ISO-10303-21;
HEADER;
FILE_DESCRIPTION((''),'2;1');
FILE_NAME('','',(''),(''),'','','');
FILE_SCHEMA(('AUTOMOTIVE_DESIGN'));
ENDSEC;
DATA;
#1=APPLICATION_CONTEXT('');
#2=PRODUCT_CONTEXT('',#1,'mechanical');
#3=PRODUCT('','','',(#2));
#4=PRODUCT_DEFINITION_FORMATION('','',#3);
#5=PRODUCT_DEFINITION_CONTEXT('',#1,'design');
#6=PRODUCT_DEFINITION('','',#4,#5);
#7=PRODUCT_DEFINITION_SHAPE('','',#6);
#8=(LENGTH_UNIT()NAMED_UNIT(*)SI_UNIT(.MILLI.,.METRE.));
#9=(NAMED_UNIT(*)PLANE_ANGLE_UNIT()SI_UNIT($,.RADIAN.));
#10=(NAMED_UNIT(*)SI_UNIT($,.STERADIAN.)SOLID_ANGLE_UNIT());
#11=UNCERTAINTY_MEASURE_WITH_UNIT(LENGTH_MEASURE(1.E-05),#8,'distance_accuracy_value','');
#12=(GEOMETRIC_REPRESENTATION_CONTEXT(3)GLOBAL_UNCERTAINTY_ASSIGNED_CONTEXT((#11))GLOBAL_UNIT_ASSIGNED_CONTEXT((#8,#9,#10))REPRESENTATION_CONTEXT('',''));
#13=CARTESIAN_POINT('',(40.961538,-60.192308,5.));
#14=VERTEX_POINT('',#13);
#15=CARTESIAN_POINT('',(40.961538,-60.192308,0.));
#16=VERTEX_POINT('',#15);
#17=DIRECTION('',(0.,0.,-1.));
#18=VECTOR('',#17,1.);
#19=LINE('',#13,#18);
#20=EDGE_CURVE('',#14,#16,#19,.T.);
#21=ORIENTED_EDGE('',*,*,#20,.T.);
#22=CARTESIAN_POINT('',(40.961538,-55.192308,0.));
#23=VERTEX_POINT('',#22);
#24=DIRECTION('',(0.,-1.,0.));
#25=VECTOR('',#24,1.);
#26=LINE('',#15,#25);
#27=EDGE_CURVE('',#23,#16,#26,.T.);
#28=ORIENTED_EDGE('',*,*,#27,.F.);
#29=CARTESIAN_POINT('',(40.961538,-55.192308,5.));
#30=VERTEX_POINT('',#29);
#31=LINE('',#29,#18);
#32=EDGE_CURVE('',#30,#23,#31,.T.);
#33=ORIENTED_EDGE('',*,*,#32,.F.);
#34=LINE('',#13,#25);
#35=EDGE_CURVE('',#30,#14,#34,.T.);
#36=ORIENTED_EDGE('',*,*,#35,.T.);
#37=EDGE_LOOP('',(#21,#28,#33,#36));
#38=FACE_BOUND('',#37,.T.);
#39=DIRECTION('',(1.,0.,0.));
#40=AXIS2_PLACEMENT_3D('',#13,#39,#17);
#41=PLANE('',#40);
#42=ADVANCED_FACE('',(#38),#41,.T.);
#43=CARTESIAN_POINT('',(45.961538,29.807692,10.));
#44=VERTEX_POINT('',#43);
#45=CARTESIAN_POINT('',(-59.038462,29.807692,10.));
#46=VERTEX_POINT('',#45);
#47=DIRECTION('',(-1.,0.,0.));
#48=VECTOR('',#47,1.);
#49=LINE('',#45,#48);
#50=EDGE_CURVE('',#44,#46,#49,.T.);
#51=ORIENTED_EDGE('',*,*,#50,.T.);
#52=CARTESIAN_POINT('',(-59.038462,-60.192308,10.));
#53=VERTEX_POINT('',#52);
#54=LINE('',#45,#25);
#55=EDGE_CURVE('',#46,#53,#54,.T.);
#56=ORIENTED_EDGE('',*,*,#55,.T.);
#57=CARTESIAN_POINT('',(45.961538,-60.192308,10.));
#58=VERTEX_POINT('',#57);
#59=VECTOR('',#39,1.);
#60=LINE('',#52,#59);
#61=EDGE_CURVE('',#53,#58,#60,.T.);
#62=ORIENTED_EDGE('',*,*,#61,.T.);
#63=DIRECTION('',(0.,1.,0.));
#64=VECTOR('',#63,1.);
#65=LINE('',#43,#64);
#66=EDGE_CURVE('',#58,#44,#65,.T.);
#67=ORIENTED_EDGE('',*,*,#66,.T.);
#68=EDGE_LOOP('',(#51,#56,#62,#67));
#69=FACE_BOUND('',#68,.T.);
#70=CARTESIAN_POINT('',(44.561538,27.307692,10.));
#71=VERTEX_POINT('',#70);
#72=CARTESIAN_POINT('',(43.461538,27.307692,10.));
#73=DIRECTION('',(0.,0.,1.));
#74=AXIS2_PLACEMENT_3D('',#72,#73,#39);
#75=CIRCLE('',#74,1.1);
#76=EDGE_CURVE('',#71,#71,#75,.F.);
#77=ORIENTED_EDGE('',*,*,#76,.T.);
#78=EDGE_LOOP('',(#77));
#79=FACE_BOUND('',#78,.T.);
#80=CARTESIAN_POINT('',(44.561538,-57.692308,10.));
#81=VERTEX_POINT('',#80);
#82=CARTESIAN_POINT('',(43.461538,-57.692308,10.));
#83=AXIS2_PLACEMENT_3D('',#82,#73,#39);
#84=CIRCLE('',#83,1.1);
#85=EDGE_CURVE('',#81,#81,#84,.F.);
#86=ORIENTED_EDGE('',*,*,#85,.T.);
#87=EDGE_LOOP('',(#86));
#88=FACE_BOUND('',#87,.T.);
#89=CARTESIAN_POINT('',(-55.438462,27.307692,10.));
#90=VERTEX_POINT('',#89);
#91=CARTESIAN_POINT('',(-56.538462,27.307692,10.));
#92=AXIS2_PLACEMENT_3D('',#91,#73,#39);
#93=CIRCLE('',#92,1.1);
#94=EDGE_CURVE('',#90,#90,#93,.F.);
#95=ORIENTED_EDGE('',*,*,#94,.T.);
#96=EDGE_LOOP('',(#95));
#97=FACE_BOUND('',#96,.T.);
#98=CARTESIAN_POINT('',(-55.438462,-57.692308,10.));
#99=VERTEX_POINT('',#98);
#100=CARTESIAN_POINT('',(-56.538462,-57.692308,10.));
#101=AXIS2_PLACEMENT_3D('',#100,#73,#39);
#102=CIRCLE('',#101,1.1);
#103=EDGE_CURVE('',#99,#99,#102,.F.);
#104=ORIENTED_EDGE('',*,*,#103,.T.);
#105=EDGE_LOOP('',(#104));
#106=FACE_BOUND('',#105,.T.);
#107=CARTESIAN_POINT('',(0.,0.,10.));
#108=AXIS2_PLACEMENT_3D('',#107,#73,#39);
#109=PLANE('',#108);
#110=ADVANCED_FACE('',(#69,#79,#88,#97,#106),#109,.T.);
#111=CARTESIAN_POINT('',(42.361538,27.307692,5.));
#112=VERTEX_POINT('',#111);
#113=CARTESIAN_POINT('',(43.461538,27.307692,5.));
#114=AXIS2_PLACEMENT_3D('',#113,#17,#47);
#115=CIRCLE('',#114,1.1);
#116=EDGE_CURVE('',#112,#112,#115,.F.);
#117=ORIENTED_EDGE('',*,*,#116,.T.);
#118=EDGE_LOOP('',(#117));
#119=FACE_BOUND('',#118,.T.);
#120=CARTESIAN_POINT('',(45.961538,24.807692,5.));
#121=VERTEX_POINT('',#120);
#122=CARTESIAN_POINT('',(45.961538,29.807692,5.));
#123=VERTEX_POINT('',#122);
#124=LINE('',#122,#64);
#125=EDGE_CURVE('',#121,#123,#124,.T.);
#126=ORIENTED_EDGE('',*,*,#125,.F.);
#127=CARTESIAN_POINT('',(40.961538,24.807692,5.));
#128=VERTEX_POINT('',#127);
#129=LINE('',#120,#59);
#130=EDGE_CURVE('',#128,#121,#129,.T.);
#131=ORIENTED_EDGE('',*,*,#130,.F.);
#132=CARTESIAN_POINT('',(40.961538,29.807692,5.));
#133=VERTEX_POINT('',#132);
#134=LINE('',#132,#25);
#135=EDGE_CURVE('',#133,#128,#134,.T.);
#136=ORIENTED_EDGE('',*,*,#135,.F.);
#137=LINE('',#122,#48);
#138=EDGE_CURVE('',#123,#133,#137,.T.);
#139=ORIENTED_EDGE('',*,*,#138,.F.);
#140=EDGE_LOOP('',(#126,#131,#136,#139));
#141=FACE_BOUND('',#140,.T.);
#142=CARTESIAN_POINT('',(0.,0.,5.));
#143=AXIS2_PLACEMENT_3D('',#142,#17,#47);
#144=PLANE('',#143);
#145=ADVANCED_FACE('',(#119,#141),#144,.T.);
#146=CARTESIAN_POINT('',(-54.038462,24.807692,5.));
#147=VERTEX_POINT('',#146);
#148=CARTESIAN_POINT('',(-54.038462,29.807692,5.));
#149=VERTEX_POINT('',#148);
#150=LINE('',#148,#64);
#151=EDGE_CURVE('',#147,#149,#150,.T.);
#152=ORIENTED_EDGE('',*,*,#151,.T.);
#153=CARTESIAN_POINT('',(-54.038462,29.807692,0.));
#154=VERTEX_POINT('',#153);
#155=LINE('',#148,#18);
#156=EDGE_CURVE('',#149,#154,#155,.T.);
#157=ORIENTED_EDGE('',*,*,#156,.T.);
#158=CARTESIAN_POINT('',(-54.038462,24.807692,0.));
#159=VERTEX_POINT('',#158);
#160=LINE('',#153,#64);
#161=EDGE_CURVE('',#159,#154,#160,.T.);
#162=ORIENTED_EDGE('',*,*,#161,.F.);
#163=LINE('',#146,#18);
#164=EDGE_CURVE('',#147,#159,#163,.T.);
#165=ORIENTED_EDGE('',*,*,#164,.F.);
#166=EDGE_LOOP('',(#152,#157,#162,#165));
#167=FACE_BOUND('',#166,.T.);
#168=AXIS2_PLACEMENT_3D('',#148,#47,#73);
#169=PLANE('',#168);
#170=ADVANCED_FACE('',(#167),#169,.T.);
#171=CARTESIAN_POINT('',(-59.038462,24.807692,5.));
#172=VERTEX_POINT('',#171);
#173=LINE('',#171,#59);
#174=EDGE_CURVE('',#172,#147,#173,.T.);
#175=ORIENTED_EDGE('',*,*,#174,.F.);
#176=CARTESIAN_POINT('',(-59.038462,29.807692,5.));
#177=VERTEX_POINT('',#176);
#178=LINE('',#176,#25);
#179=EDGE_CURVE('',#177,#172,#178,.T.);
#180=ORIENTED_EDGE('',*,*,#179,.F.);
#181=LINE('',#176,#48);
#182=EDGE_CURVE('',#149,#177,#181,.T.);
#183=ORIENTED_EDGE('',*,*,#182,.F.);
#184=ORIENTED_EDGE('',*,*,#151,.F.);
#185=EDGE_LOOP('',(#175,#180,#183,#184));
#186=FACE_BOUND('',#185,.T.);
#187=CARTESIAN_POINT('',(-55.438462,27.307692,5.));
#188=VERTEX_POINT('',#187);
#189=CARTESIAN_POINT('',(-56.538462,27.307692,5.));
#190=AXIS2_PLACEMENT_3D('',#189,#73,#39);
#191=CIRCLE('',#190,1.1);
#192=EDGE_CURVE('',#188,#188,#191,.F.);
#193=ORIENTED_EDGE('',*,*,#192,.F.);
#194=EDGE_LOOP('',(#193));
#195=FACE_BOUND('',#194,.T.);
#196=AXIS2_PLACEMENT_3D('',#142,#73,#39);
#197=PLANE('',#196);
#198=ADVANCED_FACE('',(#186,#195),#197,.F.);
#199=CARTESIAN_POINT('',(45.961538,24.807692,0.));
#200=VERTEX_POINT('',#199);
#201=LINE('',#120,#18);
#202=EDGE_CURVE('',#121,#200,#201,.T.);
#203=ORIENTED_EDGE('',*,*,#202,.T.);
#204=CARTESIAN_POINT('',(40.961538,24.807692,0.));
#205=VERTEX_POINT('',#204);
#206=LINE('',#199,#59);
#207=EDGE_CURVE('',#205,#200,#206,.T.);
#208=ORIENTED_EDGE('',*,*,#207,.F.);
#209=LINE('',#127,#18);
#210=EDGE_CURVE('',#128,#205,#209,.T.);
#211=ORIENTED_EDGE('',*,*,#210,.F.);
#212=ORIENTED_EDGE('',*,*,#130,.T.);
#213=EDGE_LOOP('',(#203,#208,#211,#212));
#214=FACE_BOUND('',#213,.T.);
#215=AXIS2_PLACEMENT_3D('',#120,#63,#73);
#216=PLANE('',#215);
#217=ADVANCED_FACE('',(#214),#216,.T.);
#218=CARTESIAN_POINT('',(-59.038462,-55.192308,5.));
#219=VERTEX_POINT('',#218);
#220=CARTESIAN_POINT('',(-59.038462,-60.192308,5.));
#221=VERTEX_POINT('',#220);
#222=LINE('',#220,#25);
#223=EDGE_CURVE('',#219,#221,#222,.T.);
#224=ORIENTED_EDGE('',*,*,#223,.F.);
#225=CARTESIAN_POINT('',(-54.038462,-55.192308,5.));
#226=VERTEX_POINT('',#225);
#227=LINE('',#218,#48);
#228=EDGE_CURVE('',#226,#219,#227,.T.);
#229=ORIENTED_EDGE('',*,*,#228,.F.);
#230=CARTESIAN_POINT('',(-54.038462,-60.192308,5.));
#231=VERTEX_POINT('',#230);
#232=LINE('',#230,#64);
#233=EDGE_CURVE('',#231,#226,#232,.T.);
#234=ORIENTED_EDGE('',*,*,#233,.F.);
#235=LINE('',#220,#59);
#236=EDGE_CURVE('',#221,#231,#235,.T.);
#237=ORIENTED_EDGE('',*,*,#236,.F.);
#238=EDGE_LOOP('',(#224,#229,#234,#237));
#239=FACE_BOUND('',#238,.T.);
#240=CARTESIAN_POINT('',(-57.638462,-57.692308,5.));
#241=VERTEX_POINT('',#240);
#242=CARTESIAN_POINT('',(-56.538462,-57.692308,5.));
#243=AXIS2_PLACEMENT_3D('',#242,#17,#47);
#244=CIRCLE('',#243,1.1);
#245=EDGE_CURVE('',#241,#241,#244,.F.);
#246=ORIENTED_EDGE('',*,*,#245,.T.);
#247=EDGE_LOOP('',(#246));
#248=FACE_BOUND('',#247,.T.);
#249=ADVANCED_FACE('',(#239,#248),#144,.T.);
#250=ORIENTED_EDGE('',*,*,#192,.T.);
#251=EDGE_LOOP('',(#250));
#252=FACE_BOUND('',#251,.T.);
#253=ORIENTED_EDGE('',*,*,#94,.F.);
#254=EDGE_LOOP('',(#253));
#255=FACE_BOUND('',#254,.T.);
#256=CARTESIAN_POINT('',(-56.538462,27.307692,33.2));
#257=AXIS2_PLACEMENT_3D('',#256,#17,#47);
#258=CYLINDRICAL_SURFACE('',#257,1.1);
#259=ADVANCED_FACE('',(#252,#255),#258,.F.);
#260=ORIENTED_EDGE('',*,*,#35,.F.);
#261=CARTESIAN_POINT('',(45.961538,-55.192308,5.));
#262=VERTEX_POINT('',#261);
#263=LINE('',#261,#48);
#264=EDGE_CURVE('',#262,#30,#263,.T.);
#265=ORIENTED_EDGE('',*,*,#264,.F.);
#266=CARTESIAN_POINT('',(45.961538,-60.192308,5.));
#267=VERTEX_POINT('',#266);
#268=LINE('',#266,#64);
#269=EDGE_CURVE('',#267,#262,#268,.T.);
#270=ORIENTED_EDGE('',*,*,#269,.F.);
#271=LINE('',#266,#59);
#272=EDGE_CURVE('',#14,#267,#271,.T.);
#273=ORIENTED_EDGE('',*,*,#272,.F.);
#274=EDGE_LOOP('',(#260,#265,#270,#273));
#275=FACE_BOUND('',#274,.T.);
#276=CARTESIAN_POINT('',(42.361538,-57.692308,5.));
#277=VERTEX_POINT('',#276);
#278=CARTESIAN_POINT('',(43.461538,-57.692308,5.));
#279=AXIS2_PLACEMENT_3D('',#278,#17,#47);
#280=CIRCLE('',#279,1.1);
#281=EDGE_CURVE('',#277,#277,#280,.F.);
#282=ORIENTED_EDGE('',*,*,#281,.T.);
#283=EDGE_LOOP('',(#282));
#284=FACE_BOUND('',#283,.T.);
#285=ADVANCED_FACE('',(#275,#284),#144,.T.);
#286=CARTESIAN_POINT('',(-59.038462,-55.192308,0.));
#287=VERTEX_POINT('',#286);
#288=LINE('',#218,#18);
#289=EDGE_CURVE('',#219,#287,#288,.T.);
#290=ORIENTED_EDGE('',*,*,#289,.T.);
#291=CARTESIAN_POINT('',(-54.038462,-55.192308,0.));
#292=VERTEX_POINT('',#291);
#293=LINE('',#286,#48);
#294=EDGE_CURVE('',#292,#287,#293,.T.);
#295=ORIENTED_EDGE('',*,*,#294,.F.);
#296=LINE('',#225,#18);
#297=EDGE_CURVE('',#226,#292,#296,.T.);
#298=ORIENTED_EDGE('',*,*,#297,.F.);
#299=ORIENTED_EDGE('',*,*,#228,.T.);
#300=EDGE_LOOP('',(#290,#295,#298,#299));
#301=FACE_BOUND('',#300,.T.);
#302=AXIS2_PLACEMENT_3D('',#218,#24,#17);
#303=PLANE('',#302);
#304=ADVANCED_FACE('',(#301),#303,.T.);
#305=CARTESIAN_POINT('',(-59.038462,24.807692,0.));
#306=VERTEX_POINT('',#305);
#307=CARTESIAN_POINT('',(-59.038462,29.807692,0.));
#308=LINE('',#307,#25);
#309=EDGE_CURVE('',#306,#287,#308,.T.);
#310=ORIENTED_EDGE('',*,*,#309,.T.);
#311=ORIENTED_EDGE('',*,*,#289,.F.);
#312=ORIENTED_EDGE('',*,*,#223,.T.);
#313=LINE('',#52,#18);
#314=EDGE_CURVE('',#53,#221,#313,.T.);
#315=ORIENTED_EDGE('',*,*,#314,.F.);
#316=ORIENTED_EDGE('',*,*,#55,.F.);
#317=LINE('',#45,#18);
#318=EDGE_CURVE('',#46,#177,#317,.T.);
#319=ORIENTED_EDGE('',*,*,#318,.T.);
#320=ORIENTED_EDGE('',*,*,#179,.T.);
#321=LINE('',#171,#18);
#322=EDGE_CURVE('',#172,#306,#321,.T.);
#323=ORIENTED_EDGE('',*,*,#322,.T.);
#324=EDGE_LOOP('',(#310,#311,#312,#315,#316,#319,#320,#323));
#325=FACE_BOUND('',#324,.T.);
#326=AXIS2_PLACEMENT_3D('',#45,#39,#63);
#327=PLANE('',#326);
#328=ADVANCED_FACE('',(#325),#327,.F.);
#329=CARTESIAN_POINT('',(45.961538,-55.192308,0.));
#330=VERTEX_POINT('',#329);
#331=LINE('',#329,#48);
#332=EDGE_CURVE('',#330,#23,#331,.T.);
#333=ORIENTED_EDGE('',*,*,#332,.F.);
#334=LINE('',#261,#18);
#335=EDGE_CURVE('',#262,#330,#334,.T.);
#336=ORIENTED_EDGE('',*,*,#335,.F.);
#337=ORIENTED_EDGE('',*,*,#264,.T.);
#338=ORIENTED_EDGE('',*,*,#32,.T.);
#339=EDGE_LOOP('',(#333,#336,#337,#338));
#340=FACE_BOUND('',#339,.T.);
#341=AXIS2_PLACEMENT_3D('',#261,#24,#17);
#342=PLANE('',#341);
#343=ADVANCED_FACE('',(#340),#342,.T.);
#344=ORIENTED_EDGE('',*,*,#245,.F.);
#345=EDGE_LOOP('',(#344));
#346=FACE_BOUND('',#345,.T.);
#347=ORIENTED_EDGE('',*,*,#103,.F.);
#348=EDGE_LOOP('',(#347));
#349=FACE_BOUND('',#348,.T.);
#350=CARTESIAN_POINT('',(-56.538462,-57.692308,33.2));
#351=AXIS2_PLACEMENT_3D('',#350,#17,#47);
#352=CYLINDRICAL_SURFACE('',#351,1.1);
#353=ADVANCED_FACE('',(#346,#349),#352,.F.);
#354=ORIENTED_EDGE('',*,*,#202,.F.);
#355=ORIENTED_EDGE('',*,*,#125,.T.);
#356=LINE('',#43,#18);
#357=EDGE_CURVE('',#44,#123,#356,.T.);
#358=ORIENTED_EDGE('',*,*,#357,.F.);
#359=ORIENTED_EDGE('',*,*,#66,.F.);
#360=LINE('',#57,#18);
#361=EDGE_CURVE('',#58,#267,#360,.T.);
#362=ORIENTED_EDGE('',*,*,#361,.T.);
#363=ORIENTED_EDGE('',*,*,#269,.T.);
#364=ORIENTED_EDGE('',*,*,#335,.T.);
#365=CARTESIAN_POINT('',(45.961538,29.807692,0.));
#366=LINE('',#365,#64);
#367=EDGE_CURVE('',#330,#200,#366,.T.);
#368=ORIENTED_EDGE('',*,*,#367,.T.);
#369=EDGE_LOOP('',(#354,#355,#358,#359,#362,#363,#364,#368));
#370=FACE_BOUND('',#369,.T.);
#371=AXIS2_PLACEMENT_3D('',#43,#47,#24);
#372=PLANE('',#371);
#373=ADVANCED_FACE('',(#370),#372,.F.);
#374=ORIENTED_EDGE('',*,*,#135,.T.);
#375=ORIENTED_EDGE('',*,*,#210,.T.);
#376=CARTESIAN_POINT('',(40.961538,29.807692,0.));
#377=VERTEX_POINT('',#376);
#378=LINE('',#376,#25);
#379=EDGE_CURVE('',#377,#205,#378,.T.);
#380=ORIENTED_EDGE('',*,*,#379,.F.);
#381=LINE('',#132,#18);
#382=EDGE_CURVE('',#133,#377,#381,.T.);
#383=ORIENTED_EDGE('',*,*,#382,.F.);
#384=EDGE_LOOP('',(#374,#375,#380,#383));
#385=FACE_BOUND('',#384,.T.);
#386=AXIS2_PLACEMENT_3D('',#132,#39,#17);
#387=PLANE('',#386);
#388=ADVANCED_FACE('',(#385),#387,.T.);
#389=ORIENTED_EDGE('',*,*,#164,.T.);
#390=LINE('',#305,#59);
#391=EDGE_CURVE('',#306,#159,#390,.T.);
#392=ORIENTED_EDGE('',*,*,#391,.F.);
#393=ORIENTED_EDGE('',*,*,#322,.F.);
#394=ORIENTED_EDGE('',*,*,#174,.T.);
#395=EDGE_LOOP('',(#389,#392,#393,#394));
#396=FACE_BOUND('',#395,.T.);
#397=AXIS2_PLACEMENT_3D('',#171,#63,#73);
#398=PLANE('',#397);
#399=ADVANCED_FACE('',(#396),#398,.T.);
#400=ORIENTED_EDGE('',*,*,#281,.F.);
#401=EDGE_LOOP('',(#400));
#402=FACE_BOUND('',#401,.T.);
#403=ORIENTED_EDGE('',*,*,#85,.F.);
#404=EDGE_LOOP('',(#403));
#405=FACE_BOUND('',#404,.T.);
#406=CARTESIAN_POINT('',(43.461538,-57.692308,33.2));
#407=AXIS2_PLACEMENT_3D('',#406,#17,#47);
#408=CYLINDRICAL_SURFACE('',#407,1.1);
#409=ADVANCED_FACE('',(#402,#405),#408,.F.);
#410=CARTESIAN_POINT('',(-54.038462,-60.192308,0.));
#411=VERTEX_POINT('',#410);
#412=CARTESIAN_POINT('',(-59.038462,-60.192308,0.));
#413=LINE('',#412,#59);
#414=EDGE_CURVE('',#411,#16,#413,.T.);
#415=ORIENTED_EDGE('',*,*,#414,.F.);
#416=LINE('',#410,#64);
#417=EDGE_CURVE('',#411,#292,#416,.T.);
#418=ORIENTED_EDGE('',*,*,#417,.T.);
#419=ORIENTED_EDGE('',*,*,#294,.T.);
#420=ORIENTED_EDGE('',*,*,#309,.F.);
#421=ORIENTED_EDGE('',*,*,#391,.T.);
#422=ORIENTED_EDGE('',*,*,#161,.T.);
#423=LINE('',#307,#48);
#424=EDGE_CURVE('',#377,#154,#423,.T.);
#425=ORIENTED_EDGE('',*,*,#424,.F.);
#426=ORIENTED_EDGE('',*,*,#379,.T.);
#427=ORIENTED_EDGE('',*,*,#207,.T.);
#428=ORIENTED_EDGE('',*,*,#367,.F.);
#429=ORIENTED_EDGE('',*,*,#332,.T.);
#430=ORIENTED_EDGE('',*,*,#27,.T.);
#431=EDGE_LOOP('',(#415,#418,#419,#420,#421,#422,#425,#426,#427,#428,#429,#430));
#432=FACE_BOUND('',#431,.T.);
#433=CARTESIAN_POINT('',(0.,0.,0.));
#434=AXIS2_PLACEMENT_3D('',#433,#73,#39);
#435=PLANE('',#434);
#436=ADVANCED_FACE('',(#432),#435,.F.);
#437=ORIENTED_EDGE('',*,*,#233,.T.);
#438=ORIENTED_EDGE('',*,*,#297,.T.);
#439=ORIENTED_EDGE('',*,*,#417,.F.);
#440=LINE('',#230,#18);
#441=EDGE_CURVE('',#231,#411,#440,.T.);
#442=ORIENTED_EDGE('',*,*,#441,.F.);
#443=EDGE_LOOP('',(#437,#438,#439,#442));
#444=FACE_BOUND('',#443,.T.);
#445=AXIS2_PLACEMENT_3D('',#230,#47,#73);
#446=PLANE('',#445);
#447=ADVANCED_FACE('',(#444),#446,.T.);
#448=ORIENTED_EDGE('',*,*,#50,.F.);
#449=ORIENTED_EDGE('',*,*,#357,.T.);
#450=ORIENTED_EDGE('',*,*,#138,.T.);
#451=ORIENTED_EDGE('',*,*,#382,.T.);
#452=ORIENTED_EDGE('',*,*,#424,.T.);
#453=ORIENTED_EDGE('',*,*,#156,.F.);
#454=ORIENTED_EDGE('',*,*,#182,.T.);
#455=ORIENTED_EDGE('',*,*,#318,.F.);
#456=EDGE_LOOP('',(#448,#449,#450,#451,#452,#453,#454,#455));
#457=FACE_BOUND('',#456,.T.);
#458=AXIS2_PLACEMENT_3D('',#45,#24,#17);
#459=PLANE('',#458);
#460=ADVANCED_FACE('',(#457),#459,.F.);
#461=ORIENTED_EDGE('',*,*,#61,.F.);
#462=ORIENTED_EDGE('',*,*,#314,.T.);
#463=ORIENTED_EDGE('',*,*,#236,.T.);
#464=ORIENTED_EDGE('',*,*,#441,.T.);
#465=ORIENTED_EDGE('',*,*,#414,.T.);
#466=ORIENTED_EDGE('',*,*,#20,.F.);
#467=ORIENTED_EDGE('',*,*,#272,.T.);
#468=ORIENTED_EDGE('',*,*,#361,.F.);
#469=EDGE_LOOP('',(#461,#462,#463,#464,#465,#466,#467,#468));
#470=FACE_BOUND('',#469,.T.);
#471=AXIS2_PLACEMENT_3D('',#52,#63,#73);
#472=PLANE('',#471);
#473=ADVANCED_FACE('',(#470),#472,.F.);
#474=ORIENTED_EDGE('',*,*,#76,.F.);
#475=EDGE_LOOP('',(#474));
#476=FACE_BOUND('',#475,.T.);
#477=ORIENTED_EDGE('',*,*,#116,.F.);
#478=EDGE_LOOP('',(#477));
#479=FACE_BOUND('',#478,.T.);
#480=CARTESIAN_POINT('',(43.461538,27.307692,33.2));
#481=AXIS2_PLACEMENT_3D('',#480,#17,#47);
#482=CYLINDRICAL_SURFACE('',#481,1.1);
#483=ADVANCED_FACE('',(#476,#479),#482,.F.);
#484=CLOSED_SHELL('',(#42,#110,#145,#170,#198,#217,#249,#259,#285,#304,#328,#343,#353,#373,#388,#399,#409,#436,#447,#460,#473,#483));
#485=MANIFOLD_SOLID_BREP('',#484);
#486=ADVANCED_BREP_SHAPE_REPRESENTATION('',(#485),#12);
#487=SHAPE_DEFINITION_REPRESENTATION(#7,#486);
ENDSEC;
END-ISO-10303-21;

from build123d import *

# Parameters (mm, degrees)
SKETCH_1_W          = 105
SKETCH_1_H          = 90
EXTRUDE_1_DEPTH     = 10
SKETCH_3_W          = 5
SKETCH_3_H          = 5
CUT_EXTRUDE_1_DEPTH = 5
SKETCH_4_R          = 1.1
CUT_EXTRUDE_2_DEPTH = 33.2


with BuildPart() as part:
    # 草圖1 → 填料-伸長1 (new body)
    with BuildSketch(Plane.XY):
        with Locations((-6.538461538, -15.192307692)):
            Rectangle(SKETCH_1_W, SKETCH_1_H)
    extrude(amount=EXTRUDE_1_DEPTH)

    # 草圖3 → 除料-伸長1 (cut)
    with BuildSketch(Plane.XY):
        with Locations((43.461538462, -57.692307692)):
            Rectangle(SKETCH_3_W, SKETCH_3_H)
        with Locations((-56.538461538, -57.692307692)):
            Rectangle(SKETCH_3_W, SKETCH_3_H)
        with Locations((43.461538462, 27.307692308)):
            Rectangle(SKETCH_3_W, SKETCH_3_H)
        with Locations((-56.538461538, 27.307692308)):
            Rectangle(SKETCH_3_W, SKETCH_3_H)
    extrude(amount=CUT_EXTRUDE_1_DEPTH, mode=Mode.SUBTRACT)

    # 草圖4 → 除料-伸長2 (cut)
    with BuildSketch(Plane.XY):
        with Locations((-56.538461538, -57.692307692)):
            Circle(SKETCH_4_R)
        with Locations((43.461538462, -57.692307692)):
            Circle(SKETCH_4_R)
        with Locations((43.461538462, 27.307692308)):
            Circle(SKETCH_4_R)
        with Locations((-56.538461538, 27.307692308)):
            Circle(SKETCH_4_R)
    extrude(amount=CUT_EXTRUDE_2_DEPTH, mode=Mode.SUBTRACT)


solid = part.part
